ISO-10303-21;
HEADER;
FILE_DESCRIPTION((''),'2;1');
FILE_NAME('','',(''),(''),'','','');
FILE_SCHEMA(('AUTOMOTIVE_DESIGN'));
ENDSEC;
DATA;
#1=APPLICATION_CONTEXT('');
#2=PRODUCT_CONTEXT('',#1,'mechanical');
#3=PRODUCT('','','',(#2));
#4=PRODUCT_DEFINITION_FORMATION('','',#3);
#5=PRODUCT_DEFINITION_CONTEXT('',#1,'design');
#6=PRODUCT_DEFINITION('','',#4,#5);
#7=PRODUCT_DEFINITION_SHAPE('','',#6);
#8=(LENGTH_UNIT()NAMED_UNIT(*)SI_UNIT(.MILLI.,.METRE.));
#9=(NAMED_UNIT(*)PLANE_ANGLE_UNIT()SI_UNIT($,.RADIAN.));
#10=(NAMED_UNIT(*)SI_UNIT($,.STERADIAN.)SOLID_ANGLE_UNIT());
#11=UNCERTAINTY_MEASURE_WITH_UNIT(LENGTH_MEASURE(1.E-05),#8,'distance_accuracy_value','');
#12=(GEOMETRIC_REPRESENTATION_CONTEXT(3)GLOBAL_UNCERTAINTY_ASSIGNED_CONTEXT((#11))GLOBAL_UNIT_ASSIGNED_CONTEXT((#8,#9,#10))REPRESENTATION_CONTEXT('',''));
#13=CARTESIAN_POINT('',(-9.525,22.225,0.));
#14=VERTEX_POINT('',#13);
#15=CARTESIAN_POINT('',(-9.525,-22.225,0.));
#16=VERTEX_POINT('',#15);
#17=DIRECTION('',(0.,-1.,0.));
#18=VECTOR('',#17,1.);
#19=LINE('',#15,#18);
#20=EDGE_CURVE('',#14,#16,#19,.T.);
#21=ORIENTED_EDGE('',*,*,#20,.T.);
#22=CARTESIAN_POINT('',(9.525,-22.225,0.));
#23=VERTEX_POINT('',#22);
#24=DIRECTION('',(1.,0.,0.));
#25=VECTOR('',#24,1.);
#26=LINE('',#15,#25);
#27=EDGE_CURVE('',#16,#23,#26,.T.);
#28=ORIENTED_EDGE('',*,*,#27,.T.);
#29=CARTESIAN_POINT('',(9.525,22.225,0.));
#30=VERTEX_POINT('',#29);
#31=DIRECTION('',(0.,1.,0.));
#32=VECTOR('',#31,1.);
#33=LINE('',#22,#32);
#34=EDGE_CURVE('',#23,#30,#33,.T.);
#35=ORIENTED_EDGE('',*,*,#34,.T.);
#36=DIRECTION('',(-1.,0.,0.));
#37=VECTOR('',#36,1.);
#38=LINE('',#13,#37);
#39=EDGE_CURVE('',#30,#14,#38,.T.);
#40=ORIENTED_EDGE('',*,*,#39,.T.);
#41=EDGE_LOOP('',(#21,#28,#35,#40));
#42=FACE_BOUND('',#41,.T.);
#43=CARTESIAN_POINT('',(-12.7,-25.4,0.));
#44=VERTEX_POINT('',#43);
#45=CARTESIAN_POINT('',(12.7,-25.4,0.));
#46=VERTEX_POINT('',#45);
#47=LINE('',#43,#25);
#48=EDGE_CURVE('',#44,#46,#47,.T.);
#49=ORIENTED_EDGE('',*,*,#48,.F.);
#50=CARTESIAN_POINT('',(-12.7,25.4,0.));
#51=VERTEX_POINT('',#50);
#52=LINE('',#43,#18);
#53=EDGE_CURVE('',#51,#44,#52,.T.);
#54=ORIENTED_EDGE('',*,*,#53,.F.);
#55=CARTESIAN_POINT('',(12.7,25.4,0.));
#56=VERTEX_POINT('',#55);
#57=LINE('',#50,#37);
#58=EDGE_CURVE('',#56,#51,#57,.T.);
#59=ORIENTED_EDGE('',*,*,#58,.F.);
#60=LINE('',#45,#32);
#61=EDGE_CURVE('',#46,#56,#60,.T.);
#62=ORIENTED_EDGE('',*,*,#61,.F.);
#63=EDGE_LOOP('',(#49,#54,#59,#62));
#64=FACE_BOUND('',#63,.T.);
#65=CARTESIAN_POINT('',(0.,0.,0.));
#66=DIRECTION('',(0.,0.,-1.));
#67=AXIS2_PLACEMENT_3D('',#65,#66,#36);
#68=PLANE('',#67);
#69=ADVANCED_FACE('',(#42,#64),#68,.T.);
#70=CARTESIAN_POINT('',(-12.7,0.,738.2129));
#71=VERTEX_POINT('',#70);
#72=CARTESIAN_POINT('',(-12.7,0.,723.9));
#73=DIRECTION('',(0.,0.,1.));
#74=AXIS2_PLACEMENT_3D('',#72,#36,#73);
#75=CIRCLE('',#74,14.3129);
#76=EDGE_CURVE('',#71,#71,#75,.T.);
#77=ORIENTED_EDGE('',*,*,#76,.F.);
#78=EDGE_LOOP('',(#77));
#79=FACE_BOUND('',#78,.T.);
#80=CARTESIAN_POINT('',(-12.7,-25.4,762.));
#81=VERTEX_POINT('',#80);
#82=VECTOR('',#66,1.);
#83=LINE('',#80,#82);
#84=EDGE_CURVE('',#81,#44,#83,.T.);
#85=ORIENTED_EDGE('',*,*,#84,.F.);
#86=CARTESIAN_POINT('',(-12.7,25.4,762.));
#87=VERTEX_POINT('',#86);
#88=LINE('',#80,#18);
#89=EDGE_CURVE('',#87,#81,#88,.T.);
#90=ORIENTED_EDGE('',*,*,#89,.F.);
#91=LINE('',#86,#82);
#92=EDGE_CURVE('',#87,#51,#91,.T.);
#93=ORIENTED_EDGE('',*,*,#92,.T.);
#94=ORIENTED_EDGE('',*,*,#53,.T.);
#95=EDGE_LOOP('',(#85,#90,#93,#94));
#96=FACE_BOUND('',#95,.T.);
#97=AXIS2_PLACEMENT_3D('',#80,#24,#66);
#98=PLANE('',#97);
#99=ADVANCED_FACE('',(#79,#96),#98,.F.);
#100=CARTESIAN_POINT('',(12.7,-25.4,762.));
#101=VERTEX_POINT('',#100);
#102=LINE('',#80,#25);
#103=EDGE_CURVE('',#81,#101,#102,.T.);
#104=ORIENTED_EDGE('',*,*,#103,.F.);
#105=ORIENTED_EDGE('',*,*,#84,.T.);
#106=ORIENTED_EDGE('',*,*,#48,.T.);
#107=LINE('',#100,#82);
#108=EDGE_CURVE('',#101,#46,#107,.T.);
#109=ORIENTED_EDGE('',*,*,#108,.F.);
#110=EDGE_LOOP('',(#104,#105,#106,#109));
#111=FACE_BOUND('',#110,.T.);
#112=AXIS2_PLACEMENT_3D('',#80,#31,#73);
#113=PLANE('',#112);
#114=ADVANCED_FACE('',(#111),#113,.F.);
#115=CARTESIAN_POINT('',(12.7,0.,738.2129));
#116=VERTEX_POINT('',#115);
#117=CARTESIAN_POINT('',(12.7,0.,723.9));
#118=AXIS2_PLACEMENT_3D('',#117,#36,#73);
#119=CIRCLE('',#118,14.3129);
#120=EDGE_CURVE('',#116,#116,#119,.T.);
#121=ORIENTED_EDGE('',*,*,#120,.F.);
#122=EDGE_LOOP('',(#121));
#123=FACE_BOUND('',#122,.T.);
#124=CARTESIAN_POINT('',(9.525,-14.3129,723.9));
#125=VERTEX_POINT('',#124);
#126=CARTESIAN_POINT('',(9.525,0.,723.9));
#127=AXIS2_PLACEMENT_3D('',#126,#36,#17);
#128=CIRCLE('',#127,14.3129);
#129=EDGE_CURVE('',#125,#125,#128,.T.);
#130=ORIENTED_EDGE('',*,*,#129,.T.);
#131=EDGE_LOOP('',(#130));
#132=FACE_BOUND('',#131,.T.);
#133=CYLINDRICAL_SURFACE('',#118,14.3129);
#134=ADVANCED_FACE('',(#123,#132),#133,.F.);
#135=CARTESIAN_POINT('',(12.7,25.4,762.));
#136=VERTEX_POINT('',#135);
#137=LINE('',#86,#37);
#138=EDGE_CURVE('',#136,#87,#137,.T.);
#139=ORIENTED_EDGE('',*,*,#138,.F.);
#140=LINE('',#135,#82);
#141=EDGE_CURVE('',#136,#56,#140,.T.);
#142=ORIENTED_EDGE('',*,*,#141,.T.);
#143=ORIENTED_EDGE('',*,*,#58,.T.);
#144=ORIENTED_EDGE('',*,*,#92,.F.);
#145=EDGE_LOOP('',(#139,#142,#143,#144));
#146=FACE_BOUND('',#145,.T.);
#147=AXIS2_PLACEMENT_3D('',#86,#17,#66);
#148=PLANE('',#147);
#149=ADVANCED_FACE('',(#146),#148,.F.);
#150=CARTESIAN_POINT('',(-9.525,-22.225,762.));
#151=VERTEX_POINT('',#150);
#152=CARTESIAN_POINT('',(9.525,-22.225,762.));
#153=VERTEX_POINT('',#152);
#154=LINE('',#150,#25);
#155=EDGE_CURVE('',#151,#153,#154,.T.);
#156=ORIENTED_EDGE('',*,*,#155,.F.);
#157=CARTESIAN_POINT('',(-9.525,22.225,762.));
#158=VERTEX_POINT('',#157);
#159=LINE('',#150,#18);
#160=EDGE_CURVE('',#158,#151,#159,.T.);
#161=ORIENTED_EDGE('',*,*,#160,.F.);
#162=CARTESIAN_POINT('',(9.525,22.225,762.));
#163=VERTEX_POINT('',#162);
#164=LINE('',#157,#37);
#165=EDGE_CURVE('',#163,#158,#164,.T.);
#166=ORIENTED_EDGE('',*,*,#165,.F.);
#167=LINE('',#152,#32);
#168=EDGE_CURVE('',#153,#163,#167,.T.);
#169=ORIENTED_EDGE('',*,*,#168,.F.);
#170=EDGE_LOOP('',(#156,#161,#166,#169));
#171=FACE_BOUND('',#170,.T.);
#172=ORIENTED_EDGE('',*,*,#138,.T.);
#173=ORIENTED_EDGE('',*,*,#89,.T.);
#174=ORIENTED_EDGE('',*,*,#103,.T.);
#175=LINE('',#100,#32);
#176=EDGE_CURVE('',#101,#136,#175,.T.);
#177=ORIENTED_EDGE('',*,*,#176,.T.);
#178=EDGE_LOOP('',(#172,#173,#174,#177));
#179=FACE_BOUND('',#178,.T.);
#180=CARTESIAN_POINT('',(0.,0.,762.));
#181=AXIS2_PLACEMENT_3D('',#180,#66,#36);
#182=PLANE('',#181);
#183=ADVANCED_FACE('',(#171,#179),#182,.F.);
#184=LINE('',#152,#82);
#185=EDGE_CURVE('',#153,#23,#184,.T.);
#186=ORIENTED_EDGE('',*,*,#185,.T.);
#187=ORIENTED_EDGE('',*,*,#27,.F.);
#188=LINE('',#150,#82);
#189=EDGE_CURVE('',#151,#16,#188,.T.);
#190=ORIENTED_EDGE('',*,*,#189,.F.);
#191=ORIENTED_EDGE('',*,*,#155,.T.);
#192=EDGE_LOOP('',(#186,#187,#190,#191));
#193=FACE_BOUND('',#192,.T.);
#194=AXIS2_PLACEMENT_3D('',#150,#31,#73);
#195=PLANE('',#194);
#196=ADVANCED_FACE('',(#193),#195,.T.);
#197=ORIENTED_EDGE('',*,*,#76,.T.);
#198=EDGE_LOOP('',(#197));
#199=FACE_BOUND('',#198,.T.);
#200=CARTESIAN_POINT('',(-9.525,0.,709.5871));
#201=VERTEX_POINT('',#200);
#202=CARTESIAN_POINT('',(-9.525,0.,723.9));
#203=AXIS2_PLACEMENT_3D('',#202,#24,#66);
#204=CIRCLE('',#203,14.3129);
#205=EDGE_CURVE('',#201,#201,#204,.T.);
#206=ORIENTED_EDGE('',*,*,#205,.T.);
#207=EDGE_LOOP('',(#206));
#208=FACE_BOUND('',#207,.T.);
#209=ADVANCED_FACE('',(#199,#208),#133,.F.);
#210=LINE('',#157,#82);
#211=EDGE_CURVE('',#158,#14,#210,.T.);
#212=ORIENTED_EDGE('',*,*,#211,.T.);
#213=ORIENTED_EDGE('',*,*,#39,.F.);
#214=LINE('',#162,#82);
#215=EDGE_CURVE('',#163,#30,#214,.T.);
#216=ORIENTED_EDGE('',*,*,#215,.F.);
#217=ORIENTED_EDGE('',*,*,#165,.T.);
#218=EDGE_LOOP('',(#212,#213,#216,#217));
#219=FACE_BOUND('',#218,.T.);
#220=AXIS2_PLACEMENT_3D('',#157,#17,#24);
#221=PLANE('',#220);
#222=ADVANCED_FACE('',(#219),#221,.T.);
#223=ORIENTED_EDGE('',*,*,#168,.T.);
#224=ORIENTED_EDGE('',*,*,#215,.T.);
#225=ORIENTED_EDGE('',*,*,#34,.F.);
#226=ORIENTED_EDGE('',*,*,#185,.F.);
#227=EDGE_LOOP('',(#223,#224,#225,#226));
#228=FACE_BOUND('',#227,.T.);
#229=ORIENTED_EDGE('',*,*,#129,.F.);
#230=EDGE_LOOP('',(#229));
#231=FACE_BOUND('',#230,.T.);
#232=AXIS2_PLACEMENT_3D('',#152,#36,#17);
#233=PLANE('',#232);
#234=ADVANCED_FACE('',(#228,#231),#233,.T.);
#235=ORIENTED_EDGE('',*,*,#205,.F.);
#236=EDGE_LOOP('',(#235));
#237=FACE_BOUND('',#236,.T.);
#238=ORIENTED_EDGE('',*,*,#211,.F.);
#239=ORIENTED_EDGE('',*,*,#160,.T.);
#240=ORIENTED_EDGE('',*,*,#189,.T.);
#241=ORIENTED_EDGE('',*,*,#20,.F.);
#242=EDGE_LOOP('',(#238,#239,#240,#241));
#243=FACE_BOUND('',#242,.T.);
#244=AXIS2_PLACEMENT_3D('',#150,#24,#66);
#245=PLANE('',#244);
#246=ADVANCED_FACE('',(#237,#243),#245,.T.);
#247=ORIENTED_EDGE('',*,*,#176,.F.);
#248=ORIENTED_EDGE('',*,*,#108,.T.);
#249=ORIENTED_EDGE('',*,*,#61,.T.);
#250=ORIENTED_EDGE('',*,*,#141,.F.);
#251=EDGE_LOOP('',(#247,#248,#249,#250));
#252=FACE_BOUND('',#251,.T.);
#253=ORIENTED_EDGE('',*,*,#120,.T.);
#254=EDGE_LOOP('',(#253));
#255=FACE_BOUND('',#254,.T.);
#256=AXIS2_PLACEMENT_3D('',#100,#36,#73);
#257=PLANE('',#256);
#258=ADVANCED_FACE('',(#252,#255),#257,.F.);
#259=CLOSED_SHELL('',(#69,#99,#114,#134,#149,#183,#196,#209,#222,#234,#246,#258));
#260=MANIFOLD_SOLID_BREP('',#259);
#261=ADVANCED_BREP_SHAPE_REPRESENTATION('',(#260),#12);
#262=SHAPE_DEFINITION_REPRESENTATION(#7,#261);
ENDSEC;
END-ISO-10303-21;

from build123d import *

# Parameters (mm, degrees)
SKETCH1_W           = 25.4
SKETCH1_H           = 50.8
SKETCH1_W_2         = 19.05
SKETCH1_H_2         = 44.45
BOSS_EXTRUDE1_DEPTH = 762
SKETCH2_R           = 14.3129
CUT_EXTRUDE1_DEPTH  = 763.846196818


with BuildPart() as part:
    # Sketch1 → Boss-Extrude1 (new body)
    with BuildSketch(Plane.XY):
        Rectangle(SKETCH1_W, SKETCH1_H)
        Rectangle(SKETCH1_W_2, SKETCH1_H_2, mode=Mode.SUBTRACT)
    extrude(amount=BOSS_EXTRUDE1_DEPTH)

    # Sketch2 → Cut-Extrude1 (cut, through all)
    with BuildSketch(Plane.ZY.offset(12.7)):
        with Locations((723.9, 0)):
            Circle(SKETCH2_R)
    extrude(amount=-CUT_EXTRUDE1_DEPTH, mode=Mode.SUBTRACT)


solid = part.part
